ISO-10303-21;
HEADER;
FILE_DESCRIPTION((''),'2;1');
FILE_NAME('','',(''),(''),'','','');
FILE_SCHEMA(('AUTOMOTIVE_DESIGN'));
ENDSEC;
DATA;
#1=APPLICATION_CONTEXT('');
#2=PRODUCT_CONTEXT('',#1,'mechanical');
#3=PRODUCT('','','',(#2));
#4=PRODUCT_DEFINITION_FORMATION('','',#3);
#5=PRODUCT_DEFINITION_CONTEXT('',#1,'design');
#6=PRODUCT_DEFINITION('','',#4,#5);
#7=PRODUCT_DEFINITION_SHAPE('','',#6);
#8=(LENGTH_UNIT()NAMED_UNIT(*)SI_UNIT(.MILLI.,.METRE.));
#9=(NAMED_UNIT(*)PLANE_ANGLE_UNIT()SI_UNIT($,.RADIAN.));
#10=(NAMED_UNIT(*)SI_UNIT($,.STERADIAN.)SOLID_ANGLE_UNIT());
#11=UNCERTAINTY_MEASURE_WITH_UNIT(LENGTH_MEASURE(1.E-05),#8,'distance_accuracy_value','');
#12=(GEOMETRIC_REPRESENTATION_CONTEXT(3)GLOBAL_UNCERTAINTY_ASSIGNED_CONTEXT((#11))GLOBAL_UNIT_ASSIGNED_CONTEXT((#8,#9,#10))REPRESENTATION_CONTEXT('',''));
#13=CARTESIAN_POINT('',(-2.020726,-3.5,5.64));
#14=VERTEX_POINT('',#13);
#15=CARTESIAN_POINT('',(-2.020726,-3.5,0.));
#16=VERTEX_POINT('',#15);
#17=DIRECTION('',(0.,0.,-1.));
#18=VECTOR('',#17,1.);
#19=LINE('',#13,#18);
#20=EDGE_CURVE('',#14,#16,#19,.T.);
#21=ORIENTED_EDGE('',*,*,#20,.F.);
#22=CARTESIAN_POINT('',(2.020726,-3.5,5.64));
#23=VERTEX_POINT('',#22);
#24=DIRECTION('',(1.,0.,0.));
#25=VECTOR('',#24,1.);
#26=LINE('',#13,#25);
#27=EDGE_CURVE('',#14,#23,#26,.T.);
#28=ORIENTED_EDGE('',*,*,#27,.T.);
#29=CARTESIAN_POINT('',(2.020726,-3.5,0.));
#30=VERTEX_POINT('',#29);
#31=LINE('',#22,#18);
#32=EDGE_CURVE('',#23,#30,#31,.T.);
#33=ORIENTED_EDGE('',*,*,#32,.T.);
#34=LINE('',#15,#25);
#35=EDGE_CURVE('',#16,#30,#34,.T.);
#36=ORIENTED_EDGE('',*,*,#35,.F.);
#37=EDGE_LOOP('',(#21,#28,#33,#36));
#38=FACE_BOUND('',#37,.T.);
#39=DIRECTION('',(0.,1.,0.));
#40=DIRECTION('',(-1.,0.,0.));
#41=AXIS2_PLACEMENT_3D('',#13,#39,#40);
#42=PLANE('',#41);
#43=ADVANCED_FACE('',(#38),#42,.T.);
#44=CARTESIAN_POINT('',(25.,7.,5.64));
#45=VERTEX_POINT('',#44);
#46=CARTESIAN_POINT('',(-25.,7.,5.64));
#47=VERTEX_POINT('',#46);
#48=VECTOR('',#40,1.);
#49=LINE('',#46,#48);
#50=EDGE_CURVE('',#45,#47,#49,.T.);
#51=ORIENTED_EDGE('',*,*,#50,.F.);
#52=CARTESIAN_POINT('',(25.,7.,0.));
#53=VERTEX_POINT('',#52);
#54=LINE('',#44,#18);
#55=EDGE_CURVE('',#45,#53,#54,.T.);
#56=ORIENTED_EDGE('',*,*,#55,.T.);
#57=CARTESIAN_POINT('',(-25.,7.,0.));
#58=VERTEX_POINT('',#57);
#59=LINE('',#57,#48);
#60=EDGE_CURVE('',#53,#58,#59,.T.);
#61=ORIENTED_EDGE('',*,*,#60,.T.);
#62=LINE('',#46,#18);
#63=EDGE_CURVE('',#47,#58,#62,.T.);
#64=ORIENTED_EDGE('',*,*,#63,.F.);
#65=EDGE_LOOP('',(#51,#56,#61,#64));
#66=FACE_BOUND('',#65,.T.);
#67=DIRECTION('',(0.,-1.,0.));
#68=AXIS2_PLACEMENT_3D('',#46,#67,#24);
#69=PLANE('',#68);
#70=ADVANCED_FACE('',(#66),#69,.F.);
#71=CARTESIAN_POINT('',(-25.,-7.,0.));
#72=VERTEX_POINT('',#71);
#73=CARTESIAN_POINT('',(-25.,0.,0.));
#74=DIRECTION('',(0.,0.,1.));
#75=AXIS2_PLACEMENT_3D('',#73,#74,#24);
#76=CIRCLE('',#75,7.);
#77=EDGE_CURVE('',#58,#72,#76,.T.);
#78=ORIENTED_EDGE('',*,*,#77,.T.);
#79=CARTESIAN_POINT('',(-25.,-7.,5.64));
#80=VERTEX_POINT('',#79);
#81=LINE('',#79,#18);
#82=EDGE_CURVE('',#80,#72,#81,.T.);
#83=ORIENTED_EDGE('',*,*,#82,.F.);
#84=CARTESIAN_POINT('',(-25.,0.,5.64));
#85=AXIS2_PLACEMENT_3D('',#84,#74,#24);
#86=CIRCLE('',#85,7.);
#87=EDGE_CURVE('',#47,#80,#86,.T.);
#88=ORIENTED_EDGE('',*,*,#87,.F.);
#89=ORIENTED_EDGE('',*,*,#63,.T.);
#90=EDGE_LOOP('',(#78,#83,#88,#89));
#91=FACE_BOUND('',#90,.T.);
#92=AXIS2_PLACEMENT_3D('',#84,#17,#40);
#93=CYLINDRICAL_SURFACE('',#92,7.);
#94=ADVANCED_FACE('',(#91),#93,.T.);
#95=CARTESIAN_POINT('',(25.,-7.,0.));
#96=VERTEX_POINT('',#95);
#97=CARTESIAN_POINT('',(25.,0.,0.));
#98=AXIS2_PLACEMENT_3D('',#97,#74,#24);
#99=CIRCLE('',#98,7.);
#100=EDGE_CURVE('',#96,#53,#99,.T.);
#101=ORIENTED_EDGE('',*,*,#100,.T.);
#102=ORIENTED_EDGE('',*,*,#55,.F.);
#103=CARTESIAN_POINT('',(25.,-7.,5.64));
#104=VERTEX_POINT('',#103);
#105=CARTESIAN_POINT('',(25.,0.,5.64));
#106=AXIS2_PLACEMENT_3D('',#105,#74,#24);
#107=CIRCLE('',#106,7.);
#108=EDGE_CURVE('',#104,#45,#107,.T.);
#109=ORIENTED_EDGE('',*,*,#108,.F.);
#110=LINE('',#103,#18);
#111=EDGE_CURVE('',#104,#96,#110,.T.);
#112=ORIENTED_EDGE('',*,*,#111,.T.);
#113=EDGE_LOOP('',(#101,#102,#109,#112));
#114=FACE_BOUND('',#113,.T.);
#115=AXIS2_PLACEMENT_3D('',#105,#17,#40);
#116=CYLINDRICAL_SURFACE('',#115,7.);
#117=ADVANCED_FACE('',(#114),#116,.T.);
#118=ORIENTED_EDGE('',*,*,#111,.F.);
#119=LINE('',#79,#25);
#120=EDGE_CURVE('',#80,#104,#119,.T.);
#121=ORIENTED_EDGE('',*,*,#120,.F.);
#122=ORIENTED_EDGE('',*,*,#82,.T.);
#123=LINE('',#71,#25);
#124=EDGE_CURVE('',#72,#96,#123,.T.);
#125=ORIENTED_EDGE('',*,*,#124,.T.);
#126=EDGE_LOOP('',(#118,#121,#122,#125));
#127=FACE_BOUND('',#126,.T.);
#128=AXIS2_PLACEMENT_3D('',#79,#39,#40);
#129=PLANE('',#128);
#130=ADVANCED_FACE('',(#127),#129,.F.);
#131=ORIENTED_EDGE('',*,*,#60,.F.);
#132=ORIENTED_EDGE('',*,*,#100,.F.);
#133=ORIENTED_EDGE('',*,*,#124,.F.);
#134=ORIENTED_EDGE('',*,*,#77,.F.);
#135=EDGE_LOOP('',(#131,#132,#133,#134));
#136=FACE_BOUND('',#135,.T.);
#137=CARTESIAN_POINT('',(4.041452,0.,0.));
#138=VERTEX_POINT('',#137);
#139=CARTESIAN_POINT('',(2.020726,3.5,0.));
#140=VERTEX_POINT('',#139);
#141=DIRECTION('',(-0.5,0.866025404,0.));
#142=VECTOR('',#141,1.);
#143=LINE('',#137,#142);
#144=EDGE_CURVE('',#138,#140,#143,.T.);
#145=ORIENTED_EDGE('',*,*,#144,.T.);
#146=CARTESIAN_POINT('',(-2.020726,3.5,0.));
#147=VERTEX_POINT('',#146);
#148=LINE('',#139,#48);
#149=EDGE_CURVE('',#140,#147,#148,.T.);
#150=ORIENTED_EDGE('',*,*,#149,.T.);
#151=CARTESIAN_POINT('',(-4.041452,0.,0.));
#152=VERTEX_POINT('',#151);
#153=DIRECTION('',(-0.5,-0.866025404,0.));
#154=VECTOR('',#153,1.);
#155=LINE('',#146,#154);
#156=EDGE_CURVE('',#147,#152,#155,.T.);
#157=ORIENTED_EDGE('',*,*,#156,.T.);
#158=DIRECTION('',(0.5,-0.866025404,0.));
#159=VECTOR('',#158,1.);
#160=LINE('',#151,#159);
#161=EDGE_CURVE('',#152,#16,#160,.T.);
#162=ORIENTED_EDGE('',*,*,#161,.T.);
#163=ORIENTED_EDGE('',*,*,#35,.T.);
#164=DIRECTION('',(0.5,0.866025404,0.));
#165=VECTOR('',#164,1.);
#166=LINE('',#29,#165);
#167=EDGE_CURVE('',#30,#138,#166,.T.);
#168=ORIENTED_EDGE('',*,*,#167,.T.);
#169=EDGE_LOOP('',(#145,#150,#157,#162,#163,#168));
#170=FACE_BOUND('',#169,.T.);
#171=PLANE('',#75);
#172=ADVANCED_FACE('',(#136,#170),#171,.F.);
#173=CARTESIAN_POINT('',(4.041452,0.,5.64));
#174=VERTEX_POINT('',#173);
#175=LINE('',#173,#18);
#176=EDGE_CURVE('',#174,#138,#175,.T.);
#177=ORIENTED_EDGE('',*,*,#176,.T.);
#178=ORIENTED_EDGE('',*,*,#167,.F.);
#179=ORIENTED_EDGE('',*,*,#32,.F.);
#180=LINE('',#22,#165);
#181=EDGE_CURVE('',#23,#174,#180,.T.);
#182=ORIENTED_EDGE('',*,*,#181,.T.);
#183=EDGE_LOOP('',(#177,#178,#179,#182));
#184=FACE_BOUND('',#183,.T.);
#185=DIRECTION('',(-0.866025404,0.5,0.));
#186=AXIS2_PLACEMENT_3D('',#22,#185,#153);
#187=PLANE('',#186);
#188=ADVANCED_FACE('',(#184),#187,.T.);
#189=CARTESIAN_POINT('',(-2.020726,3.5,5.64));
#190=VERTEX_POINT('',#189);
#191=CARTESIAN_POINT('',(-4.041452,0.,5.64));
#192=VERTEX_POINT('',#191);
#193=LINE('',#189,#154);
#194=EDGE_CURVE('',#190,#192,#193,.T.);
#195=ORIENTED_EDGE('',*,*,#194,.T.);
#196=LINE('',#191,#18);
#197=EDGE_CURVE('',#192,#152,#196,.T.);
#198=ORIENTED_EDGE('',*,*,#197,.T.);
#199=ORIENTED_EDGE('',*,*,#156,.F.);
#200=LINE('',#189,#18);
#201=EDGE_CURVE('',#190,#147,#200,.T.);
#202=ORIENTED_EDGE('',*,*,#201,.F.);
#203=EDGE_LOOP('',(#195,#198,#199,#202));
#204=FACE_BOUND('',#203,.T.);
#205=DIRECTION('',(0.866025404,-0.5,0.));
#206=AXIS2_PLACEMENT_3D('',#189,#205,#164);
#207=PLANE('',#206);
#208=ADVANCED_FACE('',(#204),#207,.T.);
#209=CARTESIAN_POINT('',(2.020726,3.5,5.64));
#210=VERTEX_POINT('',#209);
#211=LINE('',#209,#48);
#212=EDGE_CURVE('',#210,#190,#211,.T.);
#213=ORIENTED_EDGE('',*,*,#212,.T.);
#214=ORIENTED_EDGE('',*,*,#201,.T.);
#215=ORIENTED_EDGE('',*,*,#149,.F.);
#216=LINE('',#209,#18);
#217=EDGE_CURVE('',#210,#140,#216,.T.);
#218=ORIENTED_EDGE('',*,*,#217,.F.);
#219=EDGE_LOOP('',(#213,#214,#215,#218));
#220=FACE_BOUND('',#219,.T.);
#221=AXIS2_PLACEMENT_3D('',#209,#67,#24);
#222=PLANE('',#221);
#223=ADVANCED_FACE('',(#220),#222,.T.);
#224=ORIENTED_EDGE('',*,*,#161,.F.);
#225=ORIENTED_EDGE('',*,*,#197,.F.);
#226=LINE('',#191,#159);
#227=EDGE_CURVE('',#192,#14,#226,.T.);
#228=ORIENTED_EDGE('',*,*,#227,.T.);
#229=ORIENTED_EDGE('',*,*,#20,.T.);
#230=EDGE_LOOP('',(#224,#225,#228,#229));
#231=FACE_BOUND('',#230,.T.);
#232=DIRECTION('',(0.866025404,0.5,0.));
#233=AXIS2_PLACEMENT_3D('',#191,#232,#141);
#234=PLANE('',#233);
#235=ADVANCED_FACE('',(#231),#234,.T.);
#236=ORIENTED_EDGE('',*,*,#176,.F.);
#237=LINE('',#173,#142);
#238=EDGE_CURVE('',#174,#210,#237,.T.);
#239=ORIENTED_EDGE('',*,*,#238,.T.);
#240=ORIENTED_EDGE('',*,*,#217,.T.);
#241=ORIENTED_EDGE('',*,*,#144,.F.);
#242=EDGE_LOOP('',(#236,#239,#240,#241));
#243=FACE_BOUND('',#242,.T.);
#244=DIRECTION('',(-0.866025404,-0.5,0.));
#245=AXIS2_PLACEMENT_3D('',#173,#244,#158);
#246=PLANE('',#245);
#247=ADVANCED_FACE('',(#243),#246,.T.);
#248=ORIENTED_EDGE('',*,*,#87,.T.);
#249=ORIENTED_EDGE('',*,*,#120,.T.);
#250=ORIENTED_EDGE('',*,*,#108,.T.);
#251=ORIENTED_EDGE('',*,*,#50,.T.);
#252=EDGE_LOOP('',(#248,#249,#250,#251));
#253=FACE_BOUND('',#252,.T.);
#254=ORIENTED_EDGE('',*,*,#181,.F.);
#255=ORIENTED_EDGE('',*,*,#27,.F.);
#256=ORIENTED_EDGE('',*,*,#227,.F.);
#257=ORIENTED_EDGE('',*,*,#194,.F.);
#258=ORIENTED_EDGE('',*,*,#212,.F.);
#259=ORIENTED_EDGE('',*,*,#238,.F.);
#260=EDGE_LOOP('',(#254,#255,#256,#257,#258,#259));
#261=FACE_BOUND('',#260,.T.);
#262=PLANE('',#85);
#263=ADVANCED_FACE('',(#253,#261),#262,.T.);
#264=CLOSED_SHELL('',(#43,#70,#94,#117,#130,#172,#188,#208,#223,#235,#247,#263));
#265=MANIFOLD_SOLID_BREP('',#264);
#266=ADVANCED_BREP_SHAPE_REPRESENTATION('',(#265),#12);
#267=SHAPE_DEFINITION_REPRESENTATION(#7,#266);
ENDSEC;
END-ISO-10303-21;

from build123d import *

# Parameters (mm, degrees)
BOSS_EXTRUDE2_DEPTH = 5.64


with BuildPart() as part:
    # Sketch1 → Boss-Extrude2 (new body)
    with BuildSketch(Plane.XY):
        with BuildLine():
            Line((-25, 7), (25, 7))
            ThreePointArc((25, 7), (32, 0), (25, -7))
            Line((25, -7), (-25, -7))
            ThreePointArc((-25, -7), (-32, 0), (-25, 7))
        make_face()
        Polygon((-2.020725942, 3.5), (-4.041451884, 0), (-2.020725942, -3.5), (2.020725942, -3.5), (4.041451884, 0), (2.020725942, 3.5), align=None, mode=Mode.SUBTRACT)
    extrude(amount=BOSS_EXTRUDE2_DEPTH)


solid = part.part
